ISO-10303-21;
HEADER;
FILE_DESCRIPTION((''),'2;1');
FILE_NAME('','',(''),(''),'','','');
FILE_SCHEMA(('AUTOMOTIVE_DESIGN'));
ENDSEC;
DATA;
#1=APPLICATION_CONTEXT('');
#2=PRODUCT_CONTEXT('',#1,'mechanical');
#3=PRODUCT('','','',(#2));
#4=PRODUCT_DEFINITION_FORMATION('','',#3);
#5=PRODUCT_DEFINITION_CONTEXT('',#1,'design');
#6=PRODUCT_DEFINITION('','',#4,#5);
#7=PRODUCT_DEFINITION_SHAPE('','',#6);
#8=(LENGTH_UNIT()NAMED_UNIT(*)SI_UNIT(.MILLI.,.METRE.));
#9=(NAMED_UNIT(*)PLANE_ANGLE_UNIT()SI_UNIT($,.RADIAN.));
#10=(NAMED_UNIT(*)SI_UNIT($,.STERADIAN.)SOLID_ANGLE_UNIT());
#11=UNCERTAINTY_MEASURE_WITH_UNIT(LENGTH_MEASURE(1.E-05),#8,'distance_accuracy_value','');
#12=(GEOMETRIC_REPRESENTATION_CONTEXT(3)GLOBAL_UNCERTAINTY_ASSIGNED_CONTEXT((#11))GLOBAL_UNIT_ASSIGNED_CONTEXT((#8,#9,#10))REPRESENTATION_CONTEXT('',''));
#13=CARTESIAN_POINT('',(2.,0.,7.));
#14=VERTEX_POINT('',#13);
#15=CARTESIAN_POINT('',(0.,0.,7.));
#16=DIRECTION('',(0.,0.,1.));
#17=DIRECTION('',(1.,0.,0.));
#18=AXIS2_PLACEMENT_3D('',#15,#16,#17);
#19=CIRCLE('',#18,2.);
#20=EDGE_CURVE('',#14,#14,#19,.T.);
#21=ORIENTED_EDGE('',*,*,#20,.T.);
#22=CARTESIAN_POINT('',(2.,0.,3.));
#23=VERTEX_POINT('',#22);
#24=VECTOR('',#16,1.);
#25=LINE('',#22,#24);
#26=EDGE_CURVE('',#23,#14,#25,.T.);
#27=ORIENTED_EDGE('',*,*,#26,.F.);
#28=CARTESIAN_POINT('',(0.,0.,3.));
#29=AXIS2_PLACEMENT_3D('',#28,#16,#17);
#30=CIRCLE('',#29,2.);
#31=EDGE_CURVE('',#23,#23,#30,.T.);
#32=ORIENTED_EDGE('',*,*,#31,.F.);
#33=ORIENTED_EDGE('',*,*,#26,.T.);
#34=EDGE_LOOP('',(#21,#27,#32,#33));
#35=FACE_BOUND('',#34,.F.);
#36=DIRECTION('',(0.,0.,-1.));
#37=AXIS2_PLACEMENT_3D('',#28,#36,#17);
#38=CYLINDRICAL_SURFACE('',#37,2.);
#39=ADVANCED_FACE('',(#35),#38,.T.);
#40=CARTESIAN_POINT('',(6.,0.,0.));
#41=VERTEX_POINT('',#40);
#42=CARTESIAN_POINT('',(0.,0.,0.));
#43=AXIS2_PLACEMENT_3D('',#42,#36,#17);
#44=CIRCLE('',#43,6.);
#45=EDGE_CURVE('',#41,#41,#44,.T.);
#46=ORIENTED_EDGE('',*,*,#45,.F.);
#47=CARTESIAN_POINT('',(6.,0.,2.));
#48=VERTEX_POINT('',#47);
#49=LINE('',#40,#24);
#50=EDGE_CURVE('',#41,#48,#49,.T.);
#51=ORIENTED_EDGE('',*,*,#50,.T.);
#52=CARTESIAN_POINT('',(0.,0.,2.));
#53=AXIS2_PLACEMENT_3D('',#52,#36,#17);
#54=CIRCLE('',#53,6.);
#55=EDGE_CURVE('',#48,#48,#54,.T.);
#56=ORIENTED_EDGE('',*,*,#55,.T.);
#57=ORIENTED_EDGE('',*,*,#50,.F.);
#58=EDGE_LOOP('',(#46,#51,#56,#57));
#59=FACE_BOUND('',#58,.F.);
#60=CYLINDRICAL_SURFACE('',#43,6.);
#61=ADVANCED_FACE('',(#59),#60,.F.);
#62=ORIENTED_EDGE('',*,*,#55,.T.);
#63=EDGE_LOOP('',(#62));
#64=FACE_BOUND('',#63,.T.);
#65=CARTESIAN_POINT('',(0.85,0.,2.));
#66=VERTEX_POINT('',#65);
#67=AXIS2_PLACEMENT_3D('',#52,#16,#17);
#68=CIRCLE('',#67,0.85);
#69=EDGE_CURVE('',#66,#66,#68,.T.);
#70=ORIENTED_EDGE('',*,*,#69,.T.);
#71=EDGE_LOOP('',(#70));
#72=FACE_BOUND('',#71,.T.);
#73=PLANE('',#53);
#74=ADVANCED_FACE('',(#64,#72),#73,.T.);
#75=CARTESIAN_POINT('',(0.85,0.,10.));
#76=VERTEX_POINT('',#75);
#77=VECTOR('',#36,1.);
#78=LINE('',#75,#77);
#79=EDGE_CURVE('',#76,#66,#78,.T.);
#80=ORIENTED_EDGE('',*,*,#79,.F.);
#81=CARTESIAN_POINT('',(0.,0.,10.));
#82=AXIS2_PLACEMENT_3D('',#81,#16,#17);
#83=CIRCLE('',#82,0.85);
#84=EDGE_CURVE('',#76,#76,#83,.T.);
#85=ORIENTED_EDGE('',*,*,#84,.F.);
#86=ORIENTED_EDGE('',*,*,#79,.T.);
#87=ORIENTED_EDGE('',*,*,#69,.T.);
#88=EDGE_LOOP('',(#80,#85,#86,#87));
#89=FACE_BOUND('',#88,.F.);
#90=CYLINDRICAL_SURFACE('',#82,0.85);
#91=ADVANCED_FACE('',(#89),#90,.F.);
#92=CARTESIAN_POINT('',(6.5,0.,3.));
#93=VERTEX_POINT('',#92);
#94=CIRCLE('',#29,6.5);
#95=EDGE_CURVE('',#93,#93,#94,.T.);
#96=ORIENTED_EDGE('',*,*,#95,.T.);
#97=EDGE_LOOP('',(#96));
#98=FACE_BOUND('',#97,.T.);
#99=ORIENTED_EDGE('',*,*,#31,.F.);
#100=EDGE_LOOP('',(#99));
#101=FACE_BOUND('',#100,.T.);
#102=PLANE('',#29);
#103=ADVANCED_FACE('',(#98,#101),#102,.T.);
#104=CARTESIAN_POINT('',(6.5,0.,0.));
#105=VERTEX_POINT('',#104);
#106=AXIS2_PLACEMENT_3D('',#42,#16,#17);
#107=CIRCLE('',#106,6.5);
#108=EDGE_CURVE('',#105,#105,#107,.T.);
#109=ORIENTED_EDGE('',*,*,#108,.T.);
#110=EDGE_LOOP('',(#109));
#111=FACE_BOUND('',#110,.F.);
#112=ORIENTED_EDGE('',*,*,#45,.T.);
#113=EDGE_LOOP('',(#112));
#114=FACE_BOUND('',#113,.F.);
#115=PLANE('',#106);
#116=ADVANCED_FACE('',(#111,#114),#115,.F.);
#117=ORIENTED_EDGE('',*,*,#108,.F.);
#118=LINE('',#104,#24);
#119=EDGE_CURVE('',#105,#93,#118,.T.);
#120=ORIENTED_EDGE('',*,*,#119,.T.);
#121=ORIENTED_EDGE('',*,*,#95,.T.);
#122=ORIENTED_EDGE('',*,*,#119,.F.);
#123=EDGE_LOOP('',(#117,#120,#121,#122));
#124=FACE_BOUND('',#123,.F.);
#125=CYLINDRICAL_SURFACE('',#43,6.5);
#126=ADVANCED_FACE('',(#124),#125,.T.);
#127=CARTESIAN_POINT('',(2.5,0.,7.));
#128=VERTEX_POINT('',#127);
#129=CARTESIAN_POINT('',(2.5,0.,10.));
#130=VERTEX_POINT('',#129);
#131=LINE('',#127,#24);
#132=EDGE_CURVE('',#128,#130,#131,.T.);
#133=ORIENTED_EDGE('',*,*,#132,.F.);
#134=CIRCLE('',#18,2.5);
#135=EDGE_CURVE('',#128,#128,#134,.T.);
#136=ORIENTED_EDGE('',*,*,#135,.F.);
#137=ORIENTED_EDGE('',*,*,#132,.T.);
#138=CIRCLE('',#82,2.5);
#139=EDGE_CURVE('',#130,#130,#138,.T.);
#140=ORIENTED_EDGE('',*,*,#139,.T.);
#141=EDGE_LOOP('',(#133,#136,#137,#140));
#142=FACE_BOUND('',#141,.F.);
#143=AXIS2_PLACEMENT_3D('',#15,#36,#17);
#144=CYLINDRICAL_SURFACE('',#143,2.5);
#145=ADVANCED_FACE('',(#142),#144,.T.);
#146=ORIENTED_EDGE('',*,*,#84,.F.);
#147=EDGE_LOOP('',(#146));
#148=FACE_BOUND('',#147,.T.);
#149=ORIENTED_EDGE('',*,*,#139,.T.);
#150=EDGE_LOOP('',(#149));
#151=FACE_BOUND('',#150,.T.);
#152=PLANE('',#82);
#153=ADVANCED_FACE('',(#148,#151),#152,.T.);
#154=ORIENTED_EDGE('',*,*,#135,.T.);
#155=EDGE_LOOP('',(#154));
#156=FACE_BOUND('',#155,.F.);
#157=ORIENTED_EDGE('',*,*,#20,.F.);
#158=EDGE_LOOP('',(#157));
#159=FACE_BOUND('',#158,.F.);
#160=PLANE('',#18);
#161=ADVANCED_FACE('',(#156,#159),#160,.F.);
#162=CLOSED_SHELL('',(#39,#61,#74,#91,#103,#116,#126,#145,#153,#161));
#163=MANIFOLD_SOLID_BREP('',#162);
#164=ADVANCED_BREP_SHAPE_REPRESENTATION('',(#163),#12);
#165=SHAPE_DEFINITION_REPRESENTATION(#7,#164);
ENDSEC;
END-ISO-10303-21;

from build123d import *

# Parameters (mm, degrees)
F0_R     = 6.5
F1_DEPTH = 3
F2_R     = 2
F3_DEPTH = 4
F4_R     = 2.5
F5_DEPTH = 3
F6_R     = 6
F7_DEPTH = 2
F8_R     = 0.85
F9_DEPTH = 10.001


with BuildPart() as f1:
    # F0 (on Top) → F1 (new body)
    with BuildSketch(Plane.XY):
        Circle(F0_R)
    extrude(amount=F1_DEPTH)

    # F2 (on face) → F3 (join)
    with BuildSketch(Plane.XY.offset(3)):
        Circle(F2_R)
    extrude(amount=F3_DEPTH)

    # F4 (on face) → F5 (join)
    with BuildSketch(Plane.XY.offset(7)):
        Circle(F4_R)
    extrude(amount=F5_DEPTH)

    # F6 (on face) → F7 (cut)
    with BuildSketch(Plane(origin=(0, 0, 0), x_dir=(1, 0, 0), z_dir=(0, 0, -1))):
        Circle(F6_R)
    extrude(amount=-F7_DEPTH, mode=Mode.SUBTRACT)

    # F8 (on face) → F9 (cut, through all)
    with BuildSketch(Plane.XY.offset(10)):
        Circle(F8_R)
    extrude(amount=-F9_DEPTH, mode=Mode.SUBTRACT)


solid = f1.part
